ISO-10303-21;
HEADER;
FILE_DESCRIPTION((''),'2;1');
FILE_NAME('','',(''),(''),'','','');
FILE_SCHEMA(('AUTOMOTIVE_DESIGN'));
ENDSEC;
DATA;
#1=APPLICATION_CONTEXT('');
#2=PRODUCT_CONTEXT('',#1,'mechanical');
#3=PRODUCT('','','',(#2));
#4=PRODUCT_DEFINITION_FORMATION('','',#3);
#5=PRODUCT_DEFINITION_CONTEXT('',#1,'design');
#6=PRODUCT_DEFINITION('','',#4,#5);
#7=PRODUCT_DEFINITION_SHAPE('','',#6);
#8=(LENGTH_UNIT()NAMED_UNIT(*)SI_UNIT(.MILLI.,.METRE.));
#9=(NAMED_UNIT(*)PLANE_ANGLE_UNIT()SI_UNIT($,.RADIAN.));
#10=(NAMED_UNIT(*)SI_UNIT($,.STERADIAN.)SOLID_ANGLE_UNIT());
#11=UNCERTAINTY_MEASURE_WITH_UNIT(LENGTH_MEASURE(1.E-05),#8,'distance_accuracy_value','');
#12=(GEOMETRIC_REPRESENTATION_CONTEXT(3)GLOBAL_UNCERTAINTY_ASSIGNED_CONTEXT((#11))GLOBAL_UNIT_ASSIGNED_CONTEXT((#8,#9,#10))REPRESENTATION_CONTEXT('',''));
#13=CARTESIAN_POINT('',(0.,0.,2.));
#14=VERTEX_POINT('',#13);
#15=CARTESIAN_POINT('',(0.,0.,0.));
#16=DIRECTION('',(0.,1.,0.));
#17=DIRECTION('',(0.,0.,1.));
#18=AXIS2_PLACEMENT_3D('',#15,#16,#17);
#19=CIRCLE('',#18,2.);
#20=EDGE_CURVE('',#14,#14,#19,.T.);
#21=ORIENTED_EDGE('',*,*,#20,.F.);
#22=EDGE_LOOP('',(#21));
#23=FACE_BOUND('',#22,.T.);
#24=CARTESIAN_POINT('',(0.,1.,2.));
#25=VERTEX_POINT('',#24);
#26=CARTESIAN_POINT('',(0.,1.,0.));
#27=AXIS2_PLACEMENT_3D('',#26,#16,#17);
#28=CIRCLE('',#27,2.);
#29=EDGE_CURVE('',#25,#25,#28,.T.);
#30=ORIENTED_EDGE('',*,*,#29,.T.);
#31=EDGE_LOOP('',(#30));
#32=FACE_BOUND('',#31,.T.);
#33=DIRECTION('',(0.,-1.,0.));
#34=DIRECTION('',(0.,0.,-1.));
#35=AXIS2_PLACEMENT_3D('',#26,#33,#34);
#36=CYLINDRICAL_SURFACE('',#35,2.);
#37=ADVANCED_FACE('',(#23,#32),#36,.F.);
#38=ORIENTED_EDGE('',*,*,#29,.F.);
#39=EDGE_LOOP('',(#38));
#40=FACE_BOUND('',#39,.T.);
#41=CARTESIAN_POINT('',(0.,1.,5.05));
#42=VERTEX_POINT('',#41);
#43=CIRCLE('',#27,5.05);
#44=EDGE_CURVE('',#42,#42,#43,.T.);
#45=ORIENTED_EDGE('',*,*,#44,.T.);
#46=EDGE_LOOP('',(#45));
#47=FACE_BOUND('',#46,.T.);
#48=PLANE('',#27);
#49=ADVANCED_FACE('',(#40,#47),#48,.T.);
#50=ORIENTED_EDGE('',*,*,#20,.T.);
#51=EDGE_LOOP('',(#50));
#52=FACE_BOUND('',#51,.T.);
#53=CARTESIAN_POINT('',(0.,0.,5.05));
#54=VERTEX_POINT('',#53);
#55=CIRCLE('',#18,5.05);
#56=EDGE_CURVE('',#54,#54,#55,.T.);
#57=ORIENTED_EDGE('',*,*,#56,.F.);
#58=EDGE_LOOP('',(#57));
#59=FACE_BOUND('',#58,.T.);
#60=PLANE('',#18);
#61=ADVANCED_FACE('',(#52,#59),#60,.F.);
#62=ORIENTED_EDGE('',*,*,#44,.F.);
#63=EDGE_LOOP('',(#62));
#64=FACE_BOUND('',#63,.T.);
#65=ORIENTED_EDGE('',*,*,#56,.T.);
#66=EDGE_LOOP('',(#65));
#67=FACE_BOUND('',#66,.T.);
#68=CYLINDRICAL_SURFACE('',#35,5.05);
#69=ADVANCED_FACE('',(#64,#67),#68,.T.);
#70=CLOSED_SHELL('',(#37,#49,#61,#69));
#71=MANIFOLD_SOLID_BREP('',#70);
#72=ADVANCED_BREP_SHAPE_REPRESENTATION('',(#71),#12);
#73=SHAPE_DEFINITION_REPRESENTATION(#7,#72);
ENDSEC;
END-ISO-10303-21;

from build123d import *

# Parameters (mm, degrees)
SKETCH_1_R      = 5.05
SKETCH_1_R_2    = 2
EXTRUDE_1_DEPTH = 1


with BuildPart() as part:
    # ｽｹｯﾁ1 → 押し出し1 (new body)
    with BuildSketch(Plane(origin=(0, 0, 0), x_dir=(1, 0, 0), z_dir=(0, 1, 0))):
        with Locations(Location((0, 0, 0), (0, 0, 270))):
            Circle(SKETCH_1_R)
        with Locations(Location((0, 0, 0), (0, 0, 270))):
            Circle(SKETCH_1_R_2, mode=Mode.SUBTRACT)
    extrude(amount=EXTRUDE_1_DEPTH)


solid = part.part
